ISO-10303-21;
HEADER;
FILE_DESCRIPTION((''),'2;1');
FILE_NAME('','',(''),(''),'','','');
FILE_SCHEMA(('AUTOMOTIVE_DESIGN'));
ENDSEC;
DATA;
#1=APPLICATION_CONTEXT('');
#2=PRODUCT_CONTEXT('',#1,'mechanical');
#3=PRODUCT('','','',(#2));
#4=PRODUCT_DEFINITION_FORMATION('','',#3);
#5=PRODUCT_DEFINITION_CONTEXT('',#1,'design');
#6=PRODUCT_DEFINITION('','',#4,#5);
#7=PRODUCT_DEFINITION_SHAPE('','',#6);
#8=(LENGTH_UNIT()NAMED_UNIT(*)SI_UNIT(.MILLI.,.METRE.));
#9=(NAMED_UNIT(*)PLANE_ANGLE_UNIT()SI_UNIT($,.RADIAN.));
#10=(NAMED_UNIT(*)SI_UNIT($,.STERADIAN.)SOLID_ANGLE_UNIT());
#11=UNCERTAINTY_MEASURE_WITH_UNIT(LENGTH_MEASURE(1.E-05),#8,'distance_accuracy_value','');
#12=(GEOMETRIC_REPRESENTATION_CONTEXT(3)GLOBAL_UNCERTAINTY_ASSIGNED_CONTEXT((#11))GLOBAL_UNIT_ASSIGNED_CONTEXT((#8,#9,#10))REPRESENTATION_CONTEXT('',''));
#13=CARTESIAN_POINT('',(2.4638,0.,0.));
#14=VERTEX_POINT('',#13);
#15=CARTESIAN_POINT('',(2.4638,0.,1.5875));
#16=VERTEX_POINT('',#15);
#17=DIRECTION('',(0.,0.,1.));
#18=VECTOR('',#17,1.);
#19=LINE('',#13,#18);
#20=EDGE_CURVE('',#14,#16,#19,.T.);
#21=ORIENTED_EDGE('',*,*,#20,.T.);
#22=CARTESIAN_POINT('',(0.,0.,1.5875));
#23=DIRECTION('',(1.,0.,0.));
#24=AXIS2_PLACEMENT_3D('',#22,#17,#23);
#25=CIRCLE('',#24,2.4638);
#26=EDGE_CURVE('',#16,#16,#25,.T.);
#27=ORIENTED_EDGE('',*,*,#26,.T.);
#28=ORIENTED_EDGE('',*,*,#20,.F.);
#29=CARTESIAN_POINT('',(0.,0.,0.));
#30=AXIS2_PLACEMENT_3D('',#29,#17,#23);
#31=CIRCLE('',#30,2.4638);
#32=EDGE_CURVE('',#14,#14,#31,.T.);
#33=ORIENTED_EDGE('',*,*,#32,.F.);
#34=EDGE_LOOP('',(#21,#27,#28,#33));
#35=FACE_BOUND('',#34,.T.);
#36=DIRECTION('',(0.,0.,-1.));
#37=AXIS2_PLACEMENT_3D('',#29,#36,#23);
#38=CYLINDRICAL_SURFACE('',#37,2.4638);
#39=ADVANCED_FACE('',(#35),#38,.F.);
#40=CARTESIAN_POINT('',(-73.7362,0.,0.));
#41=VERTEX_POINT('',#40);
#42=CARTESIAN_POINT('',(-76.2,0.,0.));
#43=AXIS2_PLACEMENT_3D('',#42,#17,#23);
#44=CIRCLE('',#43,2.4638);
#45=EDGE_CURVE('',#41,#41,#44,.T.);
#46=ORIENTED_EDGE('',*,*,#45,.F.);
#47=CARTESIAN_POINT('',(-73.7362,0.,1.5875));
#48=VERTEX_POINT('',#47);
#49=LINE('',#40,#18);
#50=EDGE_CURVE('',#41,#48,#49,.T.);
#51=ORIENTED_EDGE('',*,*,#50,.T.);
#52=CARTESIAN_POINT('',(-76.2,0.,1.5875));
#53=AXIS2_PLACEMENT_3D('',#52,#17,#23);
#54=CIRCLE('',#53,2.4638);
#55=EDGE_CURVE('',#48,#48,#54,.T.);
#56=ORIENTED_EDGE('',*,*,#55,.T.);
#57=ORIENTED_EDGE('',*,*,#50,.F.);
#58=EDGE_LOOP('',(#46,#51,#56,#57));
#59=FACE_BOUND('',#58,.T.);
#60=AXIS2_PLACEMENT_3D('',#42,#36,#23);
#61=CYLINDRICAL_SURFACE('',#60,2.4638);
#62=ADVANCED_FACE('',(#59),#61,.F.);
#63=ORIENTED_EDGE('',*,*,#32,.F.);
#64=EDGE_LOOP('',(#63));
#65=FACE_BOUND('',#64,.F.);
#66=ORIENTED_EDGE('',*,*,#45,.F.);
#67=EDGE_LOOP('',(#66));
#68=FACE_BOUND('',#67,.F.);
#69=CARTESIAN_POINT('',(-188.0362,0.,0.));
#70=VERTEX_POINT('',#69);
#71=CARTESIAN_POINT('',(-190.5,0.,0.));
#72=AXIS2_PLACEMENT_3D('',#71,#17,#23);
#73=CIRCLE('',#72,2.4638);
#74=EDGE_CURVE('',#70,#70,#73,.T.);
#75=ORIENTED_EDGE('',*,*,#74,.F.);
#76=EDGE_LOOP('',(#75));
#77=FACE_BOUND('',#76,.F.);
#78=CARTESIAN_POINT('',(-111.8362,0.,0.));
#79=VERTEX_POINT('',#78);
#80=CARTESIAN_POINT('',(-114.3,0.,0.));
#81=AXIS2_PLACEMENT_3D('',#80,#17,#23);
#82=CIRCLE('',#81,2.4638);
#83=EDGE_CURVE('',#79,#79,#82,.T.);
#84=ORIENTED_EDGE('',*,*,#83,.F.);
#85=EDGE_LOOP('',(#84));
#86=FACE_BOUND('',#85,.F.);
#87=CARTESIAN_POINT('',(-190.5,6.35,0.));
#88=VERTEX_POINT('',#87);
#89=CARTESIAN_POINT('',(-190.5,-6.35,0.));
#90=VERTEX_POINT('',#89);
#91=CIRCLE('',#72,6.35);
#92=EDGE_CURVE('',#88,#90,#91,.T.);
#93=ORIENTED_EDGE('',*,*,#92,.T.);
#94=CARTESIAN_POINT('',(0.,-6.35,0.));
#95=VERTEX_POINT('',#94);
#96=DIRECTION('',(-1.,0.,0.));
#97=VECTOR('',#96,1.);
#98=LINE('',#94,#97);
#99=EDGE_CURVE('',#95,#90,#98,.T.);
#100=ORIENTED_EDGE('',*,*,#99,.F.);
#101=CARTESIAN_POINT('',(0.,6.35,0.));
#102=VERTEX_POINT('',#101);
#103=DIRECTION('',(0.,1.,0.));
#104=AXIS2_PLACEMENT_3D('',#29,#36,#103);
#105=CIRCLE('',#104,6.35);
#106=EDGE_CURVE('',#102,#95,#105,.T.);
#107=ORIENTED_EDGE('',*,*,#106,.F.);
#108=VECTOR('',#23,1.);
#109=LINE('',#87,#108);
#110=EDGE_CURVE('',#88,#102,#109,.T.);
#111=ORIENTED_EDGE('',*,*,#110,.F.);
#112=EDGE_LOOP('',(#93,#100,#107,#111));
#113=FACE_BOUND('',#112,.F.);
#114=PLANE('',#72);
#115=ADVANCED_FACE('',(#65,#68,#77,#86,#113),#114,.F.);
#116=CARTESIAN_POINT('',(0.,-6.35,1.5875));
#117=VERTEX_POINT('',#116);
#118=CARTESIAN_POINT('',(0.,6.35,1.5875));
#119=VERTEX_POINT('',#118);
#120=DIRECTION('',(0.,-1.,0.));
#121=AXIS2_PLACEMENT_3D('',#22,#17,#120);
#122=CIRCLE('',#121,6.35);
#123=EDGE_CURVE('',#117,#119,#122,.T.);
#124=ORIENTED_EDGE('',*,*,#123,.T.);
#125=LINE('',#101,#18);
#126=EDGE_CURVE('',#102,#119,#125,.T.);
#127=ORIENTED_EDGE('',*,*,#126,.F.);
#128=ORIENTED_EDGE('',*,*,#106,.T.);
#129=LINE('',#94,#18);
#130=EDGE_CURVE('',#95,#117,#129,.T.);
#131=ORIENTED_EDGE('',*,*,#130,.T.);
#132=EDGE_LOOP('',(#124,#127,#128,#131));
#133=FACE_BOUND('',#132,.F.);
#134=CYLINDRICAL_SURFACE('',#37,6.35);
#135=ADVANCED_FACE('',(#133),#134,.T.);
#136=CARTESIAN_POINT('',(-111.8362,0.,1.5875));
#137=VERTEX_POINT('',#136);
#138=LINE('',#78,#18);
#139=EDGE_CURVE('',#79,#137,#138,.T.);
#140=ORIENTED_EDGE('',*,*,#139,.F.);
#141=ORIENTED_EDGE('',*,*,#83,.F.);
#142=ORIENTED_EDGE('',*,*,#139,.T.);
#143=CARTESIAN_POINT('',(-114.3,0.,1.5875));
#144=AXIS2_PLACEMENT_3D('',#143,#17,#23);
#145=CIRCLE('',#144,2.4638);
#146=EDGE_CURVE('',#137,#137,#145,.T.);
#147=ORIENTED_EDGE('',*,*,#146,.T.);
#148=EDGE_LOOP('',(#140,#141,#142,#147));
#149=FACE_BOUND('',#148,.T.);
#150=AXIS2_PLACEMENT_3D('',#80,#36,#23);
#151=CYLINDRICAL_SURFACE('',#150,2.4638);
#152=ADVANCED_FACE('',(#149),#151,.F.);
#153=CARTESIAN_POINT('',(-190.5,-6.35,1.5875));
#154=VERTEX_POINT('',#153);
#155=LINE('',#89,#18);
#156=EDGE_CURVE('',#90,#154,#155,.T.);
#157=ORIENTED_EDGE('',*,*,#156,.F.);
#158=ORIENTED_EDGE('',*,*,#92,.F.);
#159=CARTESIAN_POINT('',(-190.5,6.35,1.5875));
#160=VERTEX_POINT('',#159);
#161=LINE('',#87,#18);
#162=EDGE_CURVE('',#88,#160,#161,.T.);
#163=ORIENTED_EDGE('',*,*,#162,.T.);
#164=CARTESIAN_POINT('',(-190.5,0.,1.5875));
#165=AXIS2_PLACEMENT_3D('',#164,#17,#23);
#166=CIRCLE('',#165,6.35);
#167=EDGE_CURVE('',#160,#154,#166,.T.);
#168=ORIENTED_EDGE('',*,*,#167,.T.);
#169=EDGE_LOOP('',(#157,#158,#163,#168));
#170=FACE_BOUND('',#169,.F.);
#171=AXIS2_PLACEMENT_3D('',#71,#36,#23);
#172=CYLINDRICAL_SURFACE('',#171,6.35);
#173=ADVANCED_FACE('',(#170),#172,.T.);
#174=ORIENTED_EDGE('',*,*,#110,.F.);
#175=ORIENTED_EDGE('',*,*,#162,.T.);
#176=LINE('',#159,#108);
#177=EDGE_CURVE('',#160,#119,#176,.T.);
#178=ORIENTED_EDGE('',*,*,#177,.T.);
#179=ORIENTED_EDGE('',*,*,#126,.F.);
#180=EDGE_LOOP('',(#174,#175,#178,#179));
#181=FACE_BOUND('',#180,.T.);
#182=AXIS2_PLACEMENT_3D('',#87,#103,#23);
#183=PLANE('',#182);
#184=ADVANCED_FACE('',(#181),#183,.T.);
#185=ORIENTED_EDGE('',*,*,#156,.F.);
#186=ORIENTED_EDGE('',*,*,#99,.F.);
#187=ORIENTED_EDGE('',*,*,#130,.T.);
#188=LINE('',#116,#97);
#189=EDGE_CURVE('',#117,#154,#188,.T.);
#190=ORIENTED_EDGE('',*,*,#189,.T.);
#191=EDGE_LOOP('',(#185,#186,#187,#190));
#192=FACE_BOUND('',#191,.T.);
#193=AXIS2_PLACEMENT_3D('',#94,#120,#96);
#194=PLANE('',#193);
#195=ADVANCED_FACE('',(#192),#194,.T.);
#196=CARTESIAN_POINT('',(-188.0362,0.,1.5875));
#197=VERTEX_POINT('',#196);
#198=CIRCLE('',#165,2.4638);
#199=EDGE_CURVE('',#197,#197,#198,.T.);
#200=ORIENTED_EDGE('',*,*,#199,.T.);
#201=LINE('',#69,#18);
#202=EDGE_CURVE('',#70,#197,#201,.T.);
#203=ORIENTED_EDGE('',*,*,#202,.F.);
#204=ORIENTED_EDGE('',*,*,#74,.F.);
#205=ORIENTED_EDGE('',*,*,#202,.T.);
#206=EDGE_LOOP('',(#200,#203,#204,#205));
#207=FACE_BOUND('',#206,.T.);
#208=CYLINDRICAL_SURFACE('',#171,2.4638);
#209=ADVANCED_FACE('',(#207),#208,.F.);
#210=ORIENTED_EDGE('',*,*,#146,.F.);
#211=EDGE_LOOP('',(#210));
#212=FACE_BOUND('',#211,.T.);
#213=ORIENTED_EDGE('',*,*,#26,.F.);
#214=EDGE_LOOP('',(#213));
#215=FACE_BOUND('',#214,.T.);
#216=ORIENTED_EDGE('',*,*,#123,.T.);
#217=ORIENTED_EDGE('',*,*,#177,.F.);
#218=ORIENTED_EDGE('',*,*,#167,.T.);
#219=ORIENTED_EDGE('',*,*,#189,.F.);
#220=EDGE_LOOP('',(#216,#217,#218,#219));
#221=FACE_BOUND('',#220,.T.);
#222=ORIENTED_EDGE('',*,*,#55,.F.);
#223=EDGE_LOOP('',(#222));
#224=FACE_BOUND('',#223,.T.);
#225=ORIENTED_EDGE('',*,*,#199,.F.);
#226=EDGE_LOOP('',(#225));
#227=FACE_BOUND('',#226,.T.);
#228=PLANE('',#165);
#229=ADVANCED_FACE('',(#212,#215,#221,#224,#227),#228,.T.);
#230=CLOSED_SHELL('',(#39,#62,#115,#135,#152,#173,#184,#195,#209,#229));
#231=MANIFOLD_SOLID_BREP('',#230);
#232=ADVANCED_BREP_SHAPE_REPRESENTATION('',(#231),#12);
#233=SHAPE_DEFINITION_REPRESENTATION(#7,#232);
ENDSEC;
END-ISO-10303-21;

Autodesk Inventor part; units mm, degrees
ref_plane "YZ Plane" through (0, 0, 0) normal (1, 0, 0) x (0, 1, 0)
ref_plane "XZ Plane" through (0, 0, 0) normal (0, 1, 0) x (-1, 0, 0)
ref_plane "XY Plane" through (0, 0, 0) normal (0, 0, 1) x (1, 0, 0)
ref_plane "Work Plane1" through (-190.5, 0, 0) normal (0, 0, 1) x (1, 0, 0)
sketch "Sketch1" plane through (-190.5, 0, 0) normal (0, 0, 1) x (1, 0, 0)
  circle A0 centre (0, 0) radius 2.4638 projected
  circle A1 centre (76.2, 0) radius 2.4638 projected
  circle A2 centre (114.3, 0) radius 2.4638 projected
  circle A3 centre (190.5, 0) radius 2.4638 projected
  circle A4 centre (0, 0) radius 6.35
  circle A5 centre (190.5, 0) radius 6.35
  line L0 (0, 6.35) -> (190.5, 6.35)
  line L1 (190.5, -6.35) -> (0, -6.35)
  point P0 (190.5, 0)
  dimension "d0" = 12.7
  dimension "d1" = 12.7
extrude "Extrusion1" add sketch "Sketch1" along normal blind 1.5875
properties part number "bottomSled"
